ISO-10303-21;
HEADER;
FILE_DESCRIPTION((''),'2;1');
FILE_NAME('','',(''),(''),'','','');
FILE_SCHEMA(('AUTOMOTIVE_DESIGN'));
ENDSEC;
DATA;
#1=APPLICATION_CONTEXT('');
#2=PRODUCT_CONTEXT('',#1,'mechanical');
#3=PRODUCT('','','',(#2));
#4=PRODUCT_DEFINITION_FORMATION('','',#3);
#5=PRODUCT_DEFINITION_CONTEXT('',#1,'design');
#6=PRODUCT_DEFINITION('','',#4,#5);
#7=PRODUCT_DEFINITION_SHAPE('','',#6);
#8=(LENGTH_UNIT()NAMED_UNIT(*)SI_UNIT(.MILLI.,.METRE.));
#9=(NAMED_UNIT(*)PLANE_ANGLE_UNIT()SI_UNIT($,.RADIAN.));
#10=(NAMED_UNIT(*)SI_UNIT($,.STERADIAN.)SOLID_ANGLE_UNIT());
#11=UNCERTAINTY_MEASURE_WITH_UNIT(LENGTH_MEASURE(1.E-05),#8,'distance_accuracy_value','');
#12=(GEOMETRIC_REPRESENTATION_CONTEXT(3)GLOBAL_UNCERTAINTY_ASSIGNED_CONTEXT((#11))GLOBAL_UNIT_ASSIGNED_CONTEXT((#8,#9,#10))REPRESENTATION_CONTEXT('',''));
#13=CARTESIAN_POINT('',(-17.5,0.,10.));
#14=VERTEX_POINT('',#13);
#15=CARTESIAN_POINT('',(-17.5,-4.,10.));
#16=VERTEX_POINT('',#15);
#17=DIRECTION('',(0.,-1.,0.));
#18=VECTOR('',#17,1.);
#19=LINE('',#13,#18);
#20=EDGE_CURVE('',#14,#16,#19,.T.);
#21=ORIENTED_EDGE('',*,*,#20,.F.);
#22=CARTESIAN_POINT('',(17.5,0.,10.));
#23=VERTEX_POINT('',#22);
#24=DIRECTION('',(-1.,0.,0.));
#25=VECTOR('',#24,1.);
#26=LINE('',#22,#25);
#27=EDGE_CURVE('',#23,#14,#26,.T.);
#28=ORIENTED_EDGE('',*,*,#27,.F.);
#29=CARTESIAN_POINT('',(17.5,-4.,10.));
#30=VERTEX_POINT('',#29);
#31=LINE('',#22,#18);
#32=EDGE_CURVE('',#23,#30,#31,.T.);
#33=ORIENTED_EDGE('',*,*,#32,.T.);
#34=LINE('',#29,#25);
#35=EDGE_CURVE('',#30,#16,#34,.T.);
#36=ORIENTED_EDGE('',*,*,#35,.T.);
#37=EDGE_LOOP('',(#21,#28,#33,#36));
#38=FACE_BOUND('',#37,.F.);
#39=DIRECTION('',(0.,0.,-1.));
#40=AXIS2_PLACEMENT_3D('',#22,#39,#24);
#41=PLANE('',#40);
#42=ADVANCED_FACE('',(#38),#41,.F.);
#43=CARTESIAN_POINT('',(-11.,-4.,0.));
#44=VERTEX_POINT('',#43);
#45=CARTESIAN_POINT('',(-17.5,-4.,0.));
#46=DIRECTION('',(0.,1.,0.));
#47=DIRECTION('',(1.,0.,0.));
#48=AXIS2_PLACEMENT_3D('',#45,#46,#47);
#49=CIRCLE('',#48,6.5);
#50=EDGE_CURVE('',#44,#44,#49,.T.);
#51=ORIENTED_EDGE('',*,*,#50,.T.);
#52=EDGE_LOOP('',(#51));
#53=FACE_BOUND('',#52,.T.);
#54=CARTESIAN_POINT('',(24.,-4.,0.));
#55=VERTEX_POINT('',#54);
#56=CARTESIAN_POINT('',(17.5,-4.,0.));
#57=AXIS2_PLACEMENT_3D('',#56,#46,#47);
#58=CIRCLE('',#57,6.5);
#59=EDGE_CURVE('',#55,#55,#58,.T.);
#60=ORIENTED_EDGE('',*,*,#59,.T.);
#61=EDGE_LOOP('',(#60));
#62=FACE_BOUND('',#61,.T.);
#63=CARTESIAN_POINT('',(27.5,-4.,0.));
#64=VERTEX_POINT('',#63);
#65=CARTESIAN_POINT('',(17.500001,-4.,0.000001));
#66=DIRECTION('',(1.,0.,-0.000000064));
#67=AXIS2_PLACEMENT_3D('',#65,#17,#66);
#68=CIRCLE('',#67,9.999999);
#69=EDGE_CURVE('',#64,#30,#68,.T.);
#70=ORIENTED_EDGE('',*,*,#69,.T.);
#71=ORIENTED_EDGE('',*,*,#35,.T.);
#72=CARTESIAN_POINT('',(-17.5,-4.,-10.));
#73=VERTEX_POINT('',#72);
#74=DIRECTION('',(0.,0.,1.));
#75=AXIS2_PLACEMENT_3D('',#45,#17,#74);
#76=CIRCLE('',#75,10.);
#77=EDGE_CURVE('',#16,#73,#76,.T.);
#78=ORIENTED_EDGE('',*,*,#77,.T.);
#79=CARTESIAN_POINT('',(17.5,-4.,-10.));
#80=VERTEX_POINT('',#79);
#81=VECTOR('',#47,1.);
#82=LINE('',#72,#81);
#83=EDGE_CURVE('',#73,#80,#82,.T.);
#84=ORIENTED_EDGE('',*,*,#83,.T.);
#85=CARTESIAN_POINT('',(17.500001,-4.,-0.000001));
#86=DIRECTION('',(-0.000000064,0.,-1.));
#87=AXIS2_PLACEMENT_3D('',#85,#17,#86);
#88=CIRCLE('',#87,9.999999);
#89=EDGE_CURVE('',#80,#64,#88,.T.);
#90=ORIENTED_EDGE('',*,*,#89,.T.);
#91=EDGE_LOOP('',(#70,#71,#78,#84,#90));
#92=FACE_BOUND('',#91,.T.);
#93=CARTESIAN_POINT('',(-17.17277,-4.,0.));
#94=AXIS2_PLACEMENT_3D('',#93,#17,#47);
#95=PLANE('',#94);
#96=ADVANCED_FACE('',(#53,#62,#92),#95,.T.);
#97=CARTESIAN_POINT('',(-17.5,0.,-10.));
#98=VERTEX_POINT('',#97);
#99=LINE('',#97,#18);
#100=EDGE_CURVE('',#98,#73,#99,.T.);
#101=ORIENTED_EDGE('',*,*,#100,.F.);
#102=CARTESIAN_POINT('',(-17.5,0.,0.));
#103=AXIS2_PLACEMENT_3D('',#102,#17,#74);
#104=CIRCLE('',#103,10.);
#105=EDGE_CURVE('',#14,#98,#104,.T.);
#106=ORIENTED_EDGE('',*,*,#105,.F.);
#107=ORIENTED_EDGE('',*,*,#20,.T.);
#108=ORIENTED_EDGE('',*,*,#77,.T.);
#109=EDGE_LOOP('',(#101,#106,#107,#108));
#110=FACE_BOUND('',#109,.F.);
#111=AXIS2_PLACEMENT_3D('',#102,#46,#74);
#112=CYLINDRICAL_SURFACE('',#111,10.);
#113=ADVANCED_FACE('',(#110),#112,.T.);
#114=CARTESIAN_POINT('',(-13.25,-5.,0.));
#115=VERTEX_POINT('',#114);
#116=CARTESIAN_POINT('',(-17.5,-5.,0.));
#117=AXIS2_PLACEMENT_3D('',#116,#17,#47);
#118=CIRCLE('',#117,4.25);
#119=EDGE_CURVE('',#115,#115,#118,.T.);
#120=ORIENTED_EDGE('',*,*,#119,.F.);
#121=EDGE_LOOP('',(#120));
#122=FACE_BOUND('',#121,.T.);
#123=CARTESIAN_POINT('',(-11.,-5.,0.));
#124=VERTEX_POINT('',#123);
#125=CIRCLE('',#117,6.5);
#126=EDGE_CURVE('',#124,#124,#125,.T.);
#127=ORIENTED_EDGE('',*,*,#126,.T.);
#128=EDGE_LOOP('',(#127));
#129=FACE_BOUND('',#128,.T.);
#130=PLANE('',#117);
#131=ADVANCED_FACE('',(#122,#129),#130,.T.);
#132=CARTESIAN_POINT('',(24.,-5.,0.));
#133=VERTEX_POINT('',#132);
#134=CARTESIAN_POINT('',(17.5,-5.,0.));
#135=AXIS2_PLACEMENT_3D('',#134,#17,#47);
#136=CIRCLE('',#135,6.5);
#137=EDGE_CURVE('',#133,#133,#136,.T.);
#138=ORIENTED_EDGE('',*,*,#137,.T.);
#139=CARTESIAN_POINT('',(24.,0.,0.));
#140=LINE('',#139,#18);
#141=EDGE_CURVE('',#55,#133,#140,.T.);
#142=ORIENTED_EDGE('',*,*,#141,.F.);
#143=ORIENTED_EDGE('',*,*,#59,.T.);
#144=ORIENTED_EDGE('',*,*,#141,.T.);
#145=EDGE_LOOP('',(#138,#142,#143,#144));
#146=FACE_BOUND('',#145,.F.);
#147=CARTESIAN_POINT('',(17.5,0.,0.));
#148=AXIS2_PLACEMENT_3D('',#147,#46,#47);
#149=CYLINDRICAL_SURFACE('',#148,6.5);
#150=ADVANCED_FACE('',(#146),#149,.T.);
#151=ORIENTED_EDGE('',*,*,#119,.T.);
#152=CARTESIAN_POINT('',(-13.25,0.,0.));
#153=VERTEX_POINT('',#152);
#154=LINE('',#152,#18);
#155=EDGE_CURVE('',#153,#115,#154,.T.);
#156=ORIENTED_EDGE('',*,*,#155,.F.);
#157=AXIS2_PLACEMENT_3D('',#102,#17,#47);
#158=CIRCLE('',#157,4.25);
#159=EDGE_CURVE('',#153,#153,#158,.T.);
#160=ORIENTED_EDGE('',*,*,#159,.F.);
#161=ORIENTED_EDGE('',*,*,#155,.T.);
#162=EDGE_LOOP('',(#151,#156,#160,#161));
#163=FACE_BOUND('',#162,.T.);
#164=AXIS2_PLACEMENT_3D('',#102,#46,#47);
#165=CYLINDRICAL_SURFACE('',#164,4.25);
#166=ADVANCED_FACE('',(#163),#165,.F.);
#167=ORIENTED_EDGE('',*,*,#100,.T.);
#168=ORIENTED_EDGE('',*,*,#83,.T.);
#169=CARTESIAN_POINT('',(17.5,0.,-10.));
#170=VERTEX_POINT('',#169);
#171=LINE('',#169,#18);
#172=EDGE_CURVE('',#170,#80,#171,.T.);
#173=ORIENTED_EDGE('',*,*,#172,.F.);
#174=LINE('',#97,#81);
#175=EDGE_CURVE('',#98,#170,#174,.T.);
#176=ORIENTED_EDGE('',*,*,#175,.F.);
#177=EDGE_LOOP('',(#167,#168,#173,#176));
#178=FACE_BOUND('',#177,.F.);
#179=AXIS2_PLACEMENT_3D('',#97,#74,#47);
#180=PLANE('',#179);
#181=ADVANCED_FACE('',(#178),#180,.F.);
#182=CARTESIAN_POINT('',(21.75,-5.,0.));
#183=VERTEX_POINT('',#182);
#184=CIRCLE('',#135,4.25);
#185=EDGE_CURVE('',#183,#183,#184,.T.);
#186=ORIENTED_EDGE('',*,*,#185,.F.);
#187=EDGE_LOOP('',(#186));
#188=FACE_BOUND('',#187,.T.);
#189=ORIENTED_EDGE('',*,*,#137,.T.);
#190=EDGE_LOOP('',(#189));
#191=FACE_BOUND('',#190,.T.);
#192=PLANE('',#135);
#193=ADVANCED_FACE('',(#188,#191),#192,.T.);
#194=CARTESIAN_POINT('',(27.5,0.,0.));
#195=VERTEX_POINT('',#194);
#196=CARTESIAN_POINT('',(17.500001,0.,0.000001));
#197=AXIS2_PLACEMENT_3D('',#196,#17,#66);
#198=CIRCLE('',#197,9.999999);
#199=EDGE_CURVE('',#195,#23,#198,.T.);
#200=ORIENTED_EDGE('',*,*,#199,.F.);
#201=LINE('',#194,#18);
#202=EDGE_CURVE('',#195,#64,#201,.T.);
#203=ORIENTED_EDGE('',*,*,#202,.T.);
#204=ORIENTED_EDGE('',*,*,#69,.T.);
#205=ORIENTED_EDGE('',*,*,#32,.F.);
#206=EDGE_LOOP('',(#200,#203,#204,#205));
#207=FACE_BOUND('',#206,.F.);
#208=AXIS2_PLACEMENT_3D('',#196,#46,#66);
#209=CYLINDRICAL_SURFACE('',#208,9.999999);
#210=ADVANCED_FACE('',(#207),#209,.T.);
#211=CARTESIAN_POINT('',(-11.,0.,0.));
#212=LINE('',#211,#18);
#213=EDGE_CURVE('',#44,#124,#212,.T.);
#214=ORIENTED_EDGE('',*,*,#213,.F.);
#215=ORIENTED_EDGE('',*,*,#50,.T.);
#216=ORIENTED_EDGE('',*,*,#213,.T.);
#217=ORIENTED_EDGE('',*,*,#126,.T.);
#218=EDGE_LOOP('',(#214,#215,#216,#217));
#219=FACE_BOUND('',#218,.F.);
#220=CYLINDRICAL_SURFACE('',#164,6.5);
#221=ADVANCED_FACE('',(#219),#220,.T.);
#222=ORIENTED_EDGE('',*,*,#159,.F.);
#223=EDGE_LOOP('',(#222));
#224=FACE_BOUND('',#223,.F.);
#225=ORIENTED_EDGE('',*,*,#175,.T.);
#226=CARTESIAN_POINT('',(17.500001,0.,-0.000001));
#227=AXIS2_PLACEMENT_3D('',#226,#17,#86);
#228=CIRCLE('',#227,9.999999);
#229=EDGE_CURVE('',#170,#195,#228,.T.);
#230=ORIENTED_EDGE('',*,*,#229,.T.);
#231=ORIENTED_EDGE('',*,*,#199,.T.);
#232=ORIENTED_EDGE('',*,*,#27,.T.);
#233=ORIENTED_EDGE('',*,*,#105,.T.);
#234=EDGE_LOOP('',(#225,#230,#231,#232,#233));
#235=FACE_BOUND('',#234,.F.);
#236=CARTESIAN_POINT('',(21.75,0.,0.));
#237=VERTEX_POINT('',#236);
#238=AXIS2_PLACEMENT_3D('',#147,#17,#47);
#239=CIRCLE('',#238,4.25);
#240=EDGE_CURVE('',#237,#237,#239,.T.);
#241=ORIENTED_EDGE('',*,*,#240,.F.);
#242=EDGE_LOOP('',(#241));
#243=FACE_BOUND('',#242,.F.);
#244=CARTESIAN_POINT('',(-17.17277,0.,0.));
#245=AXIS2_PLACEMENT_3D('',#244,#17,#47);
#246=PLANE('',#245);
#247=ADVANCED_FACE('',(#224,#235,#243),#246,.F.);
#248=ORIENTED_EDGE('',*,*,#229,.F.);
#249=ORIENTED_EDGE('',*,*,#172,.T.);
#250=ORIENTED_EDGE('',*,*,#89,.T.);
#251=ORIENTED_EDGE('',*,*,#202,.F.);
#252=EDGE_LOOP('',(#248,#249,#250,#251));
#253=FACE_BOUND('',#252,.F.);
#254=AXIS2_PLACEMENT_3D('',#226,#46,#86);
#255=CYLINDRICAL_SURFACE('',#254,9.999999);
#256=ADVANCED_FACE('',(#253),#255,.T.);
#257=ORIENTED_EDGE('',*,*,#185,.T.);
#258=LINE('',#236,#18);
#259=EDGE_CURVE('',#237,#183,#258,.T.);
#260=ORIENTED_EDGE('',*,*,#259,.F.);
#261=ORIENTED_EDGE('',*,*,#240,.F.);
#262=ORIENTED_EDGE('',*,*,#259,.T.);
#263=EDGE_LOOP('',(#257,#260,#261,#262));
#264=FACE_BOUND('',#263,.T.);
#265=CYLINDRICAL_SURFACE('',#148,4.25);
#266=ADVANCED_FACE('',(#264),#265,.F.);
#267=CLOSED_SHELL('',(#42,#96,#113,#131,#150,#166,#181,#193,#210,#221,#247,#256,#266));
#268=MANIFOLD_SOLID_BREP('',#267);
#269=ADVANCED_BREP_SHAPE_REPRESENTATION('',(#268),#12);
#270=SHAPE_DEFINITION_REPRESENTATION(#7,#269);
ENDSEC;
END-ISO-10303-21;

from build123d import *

# Parameters (mm, degrees)
F0_R     = 6.5
F0_R_2   = 4.25
F1_DEPTH = 4
F2_DEPTH = 5


with BuildPart() as f1:
    # F0 (on Front) → F1 (new body)
    with BuildSketch(Plane.XZ):
        with BuildLine():
            ThreePointArc((-17.5, -10), (-10.428932, -7.071068), (-7.5, 0))
            ThreePointArc((-7.5, 0), (-10.428932, 7.071068), (-17.5, 10))
            ThreePointArc((-17.5, 10), (-27.5, 0), (-17.5, -10))
        make_face()
        with Locations((-17.5, 0)):
            Circle(F0_R, mode=Mode.SUBTRACT)
        with BuildLine():
            ThreePointArc((-17.5, 10), (-10.428932, 7.071068), (-7.5, 0))
            ThreePointArc((-7.5, 0), (-10.428932, -7.071068), (-17.5, -10))
            Line((-17.5, -10), (17.5, -10))
            ThreePointArc((17.5, -10), (7.5, 0), (17.5, 10))
            Line((17.5, 10), (-17.5, 10))
        make_face()
        with BuildLine():
            ThreePointArc((27.5, 0), (24.571068, 7.071068), (17.5, 10))
            ThreePointArc((17.5, 10), (7.5, 0), (17.5, -10))
            ThreePointArc((17.5, -10), (24.571068, -7.071068), (27.5, 0))
        make_face()
        with Locations((17.5, 0)):
            Circle(F0_R, mode=Mode.SUBTRACT)
        with Locations((-17.5, 0)):
            Circle(F0_R)
        with Locations((-17.5, 0)):
            Circle(F0_R_2, mode=Mode.SUBTRACT)
        with Locations((17.5, 0)):
            Circle(F0_R)
        with Locations((17.5, 0)):
            Circle(F0_R_2, mode=Mode.SUBTRACT)
    extrude(amount=F1_DEPTH)

    # F0 (on Front) → F2 (join)
    with BuildSketch(Plane.XZ):
        with Locations((17.5, 0)):
            Circle(F0_R)
        with Locations((17.5, 0)):
            Circle(F0_R_2, mode=Mode.SUBTRACT)
        with Locations((-17.5, 0)):
            Circle(F0_R)
        with Locations((-17.5, 0)):
            Circle(F0_R_2, mode=Mode.SUBTRACT)
    extrude(amount=F2_DEPTH)


solid = f1.part
